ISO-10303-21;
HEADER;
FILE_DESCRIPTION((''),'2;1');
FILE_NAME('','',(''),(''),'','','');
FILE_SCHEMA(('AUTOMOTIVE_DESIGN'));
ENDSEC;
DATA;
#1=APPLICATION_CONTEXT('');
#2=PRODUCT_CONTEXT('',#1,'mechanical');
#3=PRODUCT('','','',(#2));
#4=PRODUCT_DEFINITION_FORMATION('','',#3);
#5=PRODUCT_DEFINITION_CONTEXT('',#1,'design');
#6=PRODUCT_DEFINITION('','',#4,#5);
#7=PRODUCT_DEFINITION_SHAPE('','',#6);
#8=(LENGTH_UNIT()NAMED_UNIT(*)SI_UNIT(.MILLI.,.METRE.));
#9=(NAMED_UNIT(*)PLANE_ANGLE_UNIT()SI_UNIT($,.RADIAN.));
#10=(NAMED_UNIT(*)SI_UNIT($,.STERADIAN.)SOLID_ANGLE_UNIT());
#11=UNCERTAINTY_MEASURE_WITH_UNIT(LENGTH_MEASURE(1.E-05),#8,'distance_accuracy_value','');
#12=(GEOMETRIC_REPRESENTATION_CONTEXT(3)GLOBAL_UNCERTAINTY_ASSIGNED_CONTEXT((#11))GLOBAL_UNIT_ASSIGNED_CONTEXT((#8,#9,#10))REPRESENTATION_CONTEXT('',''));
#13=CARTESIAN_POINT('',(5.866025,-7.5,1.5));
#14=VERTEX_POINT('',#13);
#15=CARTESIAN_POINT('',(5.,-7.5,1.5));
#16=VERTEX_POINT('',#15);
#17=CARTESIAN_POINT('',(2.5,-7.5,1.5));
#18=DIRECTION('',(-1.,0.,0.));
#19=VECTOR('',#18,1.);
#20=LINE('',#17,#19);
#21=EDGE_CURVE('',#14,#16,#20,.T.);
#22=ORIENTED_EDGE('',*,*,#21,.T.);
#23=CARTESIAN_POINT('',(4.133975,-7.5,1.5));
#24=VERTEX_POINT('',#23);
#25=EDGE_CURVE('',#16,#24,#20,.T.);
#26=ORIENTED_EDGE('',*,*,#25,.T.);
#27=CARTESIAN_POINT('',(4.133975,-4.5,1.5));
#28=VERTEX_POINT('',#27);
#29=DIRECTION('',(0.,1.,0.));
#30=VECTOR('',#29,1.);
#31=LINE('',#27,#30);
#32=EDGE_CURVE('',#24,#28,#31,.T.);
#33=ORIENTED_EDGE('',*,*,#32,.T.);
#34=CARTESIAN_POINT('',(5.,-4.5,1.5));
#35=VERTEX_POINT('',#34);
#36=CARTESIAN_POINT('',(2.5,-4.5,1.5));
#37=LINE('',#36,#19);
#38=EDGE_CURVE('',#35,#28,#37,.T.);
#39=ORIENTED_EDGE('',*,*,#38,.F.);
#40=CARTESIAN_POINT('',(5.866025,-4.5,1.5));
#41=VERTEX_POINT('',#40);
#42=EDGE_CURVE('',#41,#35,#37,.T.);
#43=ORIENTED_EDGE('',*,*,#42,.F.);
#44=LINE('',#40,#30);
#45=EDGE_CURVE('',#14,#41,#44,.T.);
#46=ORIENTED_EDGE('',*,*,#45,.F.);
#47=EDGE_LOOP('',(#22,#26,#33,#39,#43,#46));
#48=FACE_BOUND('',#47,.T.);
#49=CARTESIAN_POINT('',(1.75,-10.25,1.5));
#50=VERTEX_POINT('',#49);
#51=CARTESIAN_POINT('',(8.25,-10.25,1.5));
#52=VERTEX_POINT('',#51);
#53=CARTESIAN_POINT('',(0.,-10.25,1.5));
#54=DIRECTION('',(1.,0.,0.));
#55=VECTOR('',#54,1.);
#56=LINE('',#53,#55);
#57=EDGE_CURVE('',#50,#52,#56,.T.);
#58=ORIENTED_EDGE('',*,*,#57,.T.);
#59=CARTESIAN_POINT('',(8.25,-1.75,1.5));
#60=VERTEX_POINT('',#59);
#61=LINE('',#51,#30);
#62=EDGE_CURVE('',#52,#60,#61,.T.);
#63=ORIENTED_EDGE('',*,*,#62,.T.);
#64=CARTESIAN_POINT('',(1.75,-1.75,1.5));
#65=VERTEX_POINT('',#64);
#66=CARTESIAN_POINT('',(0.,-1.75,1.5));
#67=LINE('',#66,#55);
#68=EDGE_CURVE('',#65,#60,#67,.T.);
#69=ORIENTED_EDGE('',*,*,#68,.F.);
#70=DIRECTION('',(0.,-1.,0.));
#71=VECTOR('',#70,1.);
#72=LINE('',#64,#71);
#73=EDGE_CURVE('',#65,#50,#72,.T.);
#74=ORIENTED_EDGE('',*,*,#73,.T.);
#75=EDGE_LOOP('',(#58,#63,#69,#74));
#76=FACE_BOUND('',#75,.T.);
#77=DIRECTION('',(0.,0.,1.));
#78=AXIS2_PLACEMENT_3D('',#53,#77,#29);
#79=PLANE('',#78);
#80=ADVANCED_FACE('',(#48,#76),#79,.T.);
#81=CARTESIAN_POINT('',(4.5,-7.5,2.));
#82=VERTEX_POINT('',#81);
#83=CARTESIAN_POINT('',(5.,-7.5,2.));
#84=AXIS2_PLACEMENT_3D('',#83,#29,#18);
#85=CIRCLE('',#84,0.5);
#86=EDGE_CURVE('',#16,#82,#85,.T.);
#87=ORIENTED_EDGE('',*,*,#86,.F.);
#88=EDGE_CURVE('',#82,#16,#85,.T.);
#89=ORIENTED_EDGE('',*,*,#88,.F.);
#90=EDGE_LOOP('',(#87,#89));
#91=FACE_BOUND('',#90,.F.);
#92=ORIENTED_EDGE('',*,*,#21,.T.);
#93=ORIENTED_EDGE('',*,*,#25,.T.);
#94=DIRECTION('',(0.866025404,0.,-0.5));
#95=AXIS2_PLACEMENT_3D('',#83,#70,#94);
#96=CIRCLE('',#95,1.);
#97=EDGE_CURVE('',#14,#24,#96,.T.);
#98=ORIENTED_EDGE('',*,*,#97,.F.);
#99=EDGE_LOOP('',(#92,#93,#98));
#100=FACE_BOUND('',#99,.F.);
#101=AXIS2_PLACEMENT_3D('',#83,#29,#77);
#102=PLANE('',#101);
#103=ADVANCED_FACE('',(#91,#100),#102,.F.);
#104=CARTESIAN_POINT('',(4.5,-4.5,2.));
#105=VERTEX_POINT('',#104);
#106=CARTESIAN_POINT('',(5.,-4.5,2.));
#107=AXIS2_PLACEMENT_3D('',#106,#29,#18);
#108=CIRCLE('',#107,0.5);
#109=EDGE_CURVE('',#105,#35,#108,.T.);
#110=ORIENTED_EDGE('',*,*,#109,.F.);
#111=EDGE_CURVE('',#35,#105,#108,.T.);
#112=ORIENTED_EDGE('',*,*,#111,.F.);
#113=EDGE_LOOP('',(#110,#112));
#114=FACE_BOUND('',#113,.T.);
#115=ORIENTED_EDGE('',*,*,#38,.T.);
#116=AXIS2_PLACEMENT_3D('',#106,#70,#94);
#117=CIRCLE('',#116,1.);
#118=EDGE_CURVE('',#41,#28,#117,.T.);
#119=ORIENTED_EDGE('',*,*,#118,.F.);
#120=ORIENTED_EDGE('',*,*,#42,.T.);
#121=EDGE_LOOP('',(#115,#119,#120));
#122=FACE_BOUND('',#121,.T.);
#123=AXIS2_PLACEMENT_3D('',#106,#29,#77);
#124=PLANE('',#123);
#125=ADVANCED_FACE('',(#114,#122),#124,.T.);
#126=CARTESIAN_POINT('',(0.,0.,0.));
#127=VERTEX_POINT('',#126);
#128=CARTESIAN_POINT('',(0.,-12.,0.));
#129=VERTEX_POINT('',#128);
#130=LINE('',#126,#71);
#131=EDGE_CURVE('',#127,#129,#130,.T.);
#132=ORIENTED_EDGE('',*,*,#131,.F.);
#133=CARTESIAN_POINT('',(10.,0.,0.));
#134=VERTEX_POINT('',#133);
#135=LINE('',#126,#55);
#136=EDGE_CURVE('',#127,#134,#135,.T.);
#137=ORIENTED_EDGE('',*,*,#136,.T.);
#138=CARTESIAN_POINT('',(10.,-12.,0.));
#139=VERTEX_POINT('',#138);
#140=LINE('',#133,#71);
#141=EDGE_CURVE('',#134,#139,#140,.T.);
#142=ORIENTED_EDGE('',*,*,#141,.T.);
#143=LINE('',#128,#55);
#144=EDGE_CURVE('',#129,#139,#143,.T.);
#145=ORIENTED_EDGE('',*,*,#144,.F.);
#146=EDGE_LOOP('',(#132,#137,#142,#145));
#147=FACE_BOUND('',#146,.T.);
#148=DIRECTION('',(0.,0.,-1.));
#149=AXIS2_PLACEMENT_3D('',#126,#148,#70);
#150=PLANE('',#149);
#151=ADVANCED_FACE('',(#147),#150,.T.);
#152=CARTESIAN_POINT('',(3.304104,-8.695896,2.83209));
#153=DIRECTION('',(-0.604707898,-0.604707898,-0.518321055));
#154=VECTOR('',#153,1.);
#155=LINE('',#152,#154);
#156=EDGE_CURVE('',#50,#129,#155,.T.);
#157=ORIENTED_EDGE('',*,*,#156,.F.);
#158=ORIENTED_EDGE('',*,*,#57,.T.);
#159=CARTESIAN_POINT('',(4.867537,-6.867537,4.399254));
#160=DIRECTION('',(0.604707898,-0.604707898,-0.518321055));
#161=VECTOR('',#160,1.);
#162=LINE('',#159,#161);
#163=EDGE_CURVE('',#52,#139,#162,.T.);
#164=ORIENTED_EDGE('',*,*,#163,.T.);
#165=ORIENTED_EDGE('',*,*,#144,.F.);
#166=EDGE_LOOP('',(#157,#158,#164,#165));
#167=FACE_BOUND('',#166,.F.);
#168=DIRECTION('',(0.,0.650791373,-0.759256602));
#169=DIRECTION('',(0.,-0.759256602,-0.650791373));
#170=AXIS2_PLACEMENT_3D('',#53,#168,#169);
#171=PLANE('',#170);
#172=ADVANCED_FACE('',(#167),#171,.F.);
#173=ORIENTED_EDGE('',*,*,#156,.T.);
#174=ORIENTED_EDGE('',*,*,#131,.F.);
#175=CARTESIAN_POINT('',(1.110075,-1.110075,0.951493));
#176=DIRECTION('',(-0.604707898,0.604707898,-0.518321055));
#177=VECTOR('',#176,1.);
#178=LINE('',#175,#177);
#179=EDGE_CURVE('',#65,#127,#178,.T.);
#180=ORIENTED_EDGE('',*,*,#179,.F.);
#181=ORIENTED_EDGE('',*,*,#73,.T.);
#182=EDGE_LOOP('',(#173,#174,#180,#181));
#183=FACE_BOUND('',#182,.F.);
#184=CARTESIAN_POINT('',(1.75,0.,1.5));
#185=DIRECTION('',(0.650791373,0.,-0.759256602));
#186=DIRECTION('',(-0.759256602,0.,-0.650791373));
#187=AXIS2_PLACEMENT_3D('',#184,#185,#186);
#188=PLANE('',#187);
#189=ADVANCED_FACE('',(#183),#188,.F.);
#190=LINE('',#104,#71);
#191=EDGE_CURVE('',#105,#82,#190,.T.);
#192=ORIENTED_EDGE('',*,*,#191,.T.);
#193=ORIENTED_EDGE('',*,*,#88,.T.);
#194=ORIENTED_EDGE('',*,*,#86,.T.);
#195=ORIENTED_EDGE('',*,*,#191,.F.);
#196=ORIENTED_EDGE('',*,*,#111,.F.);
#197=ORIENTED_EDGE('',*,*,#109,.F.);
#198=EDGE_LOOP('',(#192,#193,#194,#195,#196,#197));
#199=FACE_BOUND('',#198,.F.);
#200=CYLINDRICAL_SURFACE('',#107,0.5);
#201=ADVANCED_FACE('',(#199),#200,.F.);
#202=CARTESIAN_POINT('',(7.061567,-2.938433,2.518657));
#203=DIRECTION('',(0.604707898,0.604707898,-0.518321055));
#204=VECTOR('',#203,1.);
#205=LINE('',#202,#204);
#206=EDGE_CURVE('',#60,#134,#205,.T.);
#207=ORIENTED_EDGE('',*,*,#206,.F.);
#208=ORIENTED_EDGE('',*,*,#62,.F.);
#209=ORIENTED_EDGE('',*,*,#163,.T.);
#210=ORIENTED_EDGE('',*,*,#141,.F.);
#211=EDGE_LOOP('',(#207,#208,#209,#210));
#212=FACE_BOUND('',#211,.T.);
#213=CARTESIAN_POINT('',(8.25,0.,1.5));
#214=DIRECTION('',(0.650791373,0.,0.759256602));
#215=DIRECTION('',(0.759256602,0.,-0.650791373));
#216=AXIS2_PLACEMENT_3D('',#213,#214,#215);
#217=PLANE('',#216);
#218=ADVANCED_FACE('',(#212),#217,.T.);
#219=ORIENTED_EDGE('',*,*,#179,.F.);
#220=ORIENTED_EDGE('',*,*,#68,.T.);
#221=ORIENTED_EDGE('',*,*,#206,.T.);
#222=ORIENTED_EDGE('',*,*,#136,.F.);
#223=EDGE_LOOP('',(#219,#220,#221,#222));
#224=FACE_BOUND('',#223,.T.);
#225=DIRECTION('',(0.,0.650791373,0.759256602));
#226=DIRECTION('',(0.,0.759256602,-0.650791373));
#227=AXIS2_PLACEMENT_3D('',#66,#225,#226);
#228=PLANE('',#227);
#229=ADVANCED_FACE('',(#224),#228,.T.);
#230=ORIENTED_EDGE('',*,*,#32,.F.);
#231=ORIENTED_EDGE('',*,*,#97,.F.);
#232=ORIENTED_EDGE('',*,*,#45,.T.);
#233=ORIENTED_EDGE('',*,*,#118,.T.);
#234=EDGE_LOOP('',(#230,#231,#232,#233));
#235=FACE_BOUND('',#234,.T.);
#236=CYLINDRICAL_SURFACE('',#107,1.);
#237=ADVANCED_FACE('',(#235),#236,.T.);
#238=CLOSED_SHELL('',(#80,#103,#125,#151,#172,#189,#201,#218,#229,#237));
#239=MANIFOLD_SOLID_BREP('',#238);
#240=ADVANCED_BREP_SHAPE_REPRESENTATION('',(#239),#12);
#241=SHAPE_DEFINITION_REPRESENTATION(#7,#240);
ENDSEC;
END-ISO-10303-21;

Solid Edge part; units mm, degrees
sketch "Sketch1" plane through (0, 0, 0) normal (-1, 0, 0) x (0, -1, 0)
  line L0 (10.25, 1.5) -> (2.1916, 1.5)
  line L1 (2.1916, 1.5) -> (1.75, 1.5)
  line L2 (1.75, 1.5) -> (0, 0)
  line L3 (0, 0) -> (12, 0)
  line L4 (10.25, 1.5) -> (12, 0)
extrude "Protrusion1" add sketch "Sketch1" against normal blind 10
sketch "Sketch2" plane through (0, 0, 0) normal (0, 1, 0) x (-1, 0, 0)
  line L0 (-8.25, 1.5) -> (-10, 0)
  line L1 (-10, 0) -> (-10, 1.5)
  line L2 (-10, 1.5) -> (-8.25, 1.5)
  line L3 (-1.75, 1.5) -> (0, 0)
  line L4 (0, 1.5) -> (0, 0)
  line L5 (-1.75, 1.5) -> (0, 1.5)
extrude "Recorte_Extrudado_1" cut sketch "Sketch2" against normal blind 12.6
sketch "Sketch3" plane through (0, -4.5, 0) normal (0, 1, 0) x (-1, 0, 0)
  circle A0 centre (-5, 2) radius 1
extrude "Protrusion2" add sketch "Sketch3" against normal blind 3
sketch "Sketch4" plane through (5, -4.5, 2.25) normal (0, 1, 0) x (-1, 0, 0)
  circle A0 centre (0, -0.25) radius 0.5
extrude "Cutout1" cut sketch "Sketch4" against normal blind 3
